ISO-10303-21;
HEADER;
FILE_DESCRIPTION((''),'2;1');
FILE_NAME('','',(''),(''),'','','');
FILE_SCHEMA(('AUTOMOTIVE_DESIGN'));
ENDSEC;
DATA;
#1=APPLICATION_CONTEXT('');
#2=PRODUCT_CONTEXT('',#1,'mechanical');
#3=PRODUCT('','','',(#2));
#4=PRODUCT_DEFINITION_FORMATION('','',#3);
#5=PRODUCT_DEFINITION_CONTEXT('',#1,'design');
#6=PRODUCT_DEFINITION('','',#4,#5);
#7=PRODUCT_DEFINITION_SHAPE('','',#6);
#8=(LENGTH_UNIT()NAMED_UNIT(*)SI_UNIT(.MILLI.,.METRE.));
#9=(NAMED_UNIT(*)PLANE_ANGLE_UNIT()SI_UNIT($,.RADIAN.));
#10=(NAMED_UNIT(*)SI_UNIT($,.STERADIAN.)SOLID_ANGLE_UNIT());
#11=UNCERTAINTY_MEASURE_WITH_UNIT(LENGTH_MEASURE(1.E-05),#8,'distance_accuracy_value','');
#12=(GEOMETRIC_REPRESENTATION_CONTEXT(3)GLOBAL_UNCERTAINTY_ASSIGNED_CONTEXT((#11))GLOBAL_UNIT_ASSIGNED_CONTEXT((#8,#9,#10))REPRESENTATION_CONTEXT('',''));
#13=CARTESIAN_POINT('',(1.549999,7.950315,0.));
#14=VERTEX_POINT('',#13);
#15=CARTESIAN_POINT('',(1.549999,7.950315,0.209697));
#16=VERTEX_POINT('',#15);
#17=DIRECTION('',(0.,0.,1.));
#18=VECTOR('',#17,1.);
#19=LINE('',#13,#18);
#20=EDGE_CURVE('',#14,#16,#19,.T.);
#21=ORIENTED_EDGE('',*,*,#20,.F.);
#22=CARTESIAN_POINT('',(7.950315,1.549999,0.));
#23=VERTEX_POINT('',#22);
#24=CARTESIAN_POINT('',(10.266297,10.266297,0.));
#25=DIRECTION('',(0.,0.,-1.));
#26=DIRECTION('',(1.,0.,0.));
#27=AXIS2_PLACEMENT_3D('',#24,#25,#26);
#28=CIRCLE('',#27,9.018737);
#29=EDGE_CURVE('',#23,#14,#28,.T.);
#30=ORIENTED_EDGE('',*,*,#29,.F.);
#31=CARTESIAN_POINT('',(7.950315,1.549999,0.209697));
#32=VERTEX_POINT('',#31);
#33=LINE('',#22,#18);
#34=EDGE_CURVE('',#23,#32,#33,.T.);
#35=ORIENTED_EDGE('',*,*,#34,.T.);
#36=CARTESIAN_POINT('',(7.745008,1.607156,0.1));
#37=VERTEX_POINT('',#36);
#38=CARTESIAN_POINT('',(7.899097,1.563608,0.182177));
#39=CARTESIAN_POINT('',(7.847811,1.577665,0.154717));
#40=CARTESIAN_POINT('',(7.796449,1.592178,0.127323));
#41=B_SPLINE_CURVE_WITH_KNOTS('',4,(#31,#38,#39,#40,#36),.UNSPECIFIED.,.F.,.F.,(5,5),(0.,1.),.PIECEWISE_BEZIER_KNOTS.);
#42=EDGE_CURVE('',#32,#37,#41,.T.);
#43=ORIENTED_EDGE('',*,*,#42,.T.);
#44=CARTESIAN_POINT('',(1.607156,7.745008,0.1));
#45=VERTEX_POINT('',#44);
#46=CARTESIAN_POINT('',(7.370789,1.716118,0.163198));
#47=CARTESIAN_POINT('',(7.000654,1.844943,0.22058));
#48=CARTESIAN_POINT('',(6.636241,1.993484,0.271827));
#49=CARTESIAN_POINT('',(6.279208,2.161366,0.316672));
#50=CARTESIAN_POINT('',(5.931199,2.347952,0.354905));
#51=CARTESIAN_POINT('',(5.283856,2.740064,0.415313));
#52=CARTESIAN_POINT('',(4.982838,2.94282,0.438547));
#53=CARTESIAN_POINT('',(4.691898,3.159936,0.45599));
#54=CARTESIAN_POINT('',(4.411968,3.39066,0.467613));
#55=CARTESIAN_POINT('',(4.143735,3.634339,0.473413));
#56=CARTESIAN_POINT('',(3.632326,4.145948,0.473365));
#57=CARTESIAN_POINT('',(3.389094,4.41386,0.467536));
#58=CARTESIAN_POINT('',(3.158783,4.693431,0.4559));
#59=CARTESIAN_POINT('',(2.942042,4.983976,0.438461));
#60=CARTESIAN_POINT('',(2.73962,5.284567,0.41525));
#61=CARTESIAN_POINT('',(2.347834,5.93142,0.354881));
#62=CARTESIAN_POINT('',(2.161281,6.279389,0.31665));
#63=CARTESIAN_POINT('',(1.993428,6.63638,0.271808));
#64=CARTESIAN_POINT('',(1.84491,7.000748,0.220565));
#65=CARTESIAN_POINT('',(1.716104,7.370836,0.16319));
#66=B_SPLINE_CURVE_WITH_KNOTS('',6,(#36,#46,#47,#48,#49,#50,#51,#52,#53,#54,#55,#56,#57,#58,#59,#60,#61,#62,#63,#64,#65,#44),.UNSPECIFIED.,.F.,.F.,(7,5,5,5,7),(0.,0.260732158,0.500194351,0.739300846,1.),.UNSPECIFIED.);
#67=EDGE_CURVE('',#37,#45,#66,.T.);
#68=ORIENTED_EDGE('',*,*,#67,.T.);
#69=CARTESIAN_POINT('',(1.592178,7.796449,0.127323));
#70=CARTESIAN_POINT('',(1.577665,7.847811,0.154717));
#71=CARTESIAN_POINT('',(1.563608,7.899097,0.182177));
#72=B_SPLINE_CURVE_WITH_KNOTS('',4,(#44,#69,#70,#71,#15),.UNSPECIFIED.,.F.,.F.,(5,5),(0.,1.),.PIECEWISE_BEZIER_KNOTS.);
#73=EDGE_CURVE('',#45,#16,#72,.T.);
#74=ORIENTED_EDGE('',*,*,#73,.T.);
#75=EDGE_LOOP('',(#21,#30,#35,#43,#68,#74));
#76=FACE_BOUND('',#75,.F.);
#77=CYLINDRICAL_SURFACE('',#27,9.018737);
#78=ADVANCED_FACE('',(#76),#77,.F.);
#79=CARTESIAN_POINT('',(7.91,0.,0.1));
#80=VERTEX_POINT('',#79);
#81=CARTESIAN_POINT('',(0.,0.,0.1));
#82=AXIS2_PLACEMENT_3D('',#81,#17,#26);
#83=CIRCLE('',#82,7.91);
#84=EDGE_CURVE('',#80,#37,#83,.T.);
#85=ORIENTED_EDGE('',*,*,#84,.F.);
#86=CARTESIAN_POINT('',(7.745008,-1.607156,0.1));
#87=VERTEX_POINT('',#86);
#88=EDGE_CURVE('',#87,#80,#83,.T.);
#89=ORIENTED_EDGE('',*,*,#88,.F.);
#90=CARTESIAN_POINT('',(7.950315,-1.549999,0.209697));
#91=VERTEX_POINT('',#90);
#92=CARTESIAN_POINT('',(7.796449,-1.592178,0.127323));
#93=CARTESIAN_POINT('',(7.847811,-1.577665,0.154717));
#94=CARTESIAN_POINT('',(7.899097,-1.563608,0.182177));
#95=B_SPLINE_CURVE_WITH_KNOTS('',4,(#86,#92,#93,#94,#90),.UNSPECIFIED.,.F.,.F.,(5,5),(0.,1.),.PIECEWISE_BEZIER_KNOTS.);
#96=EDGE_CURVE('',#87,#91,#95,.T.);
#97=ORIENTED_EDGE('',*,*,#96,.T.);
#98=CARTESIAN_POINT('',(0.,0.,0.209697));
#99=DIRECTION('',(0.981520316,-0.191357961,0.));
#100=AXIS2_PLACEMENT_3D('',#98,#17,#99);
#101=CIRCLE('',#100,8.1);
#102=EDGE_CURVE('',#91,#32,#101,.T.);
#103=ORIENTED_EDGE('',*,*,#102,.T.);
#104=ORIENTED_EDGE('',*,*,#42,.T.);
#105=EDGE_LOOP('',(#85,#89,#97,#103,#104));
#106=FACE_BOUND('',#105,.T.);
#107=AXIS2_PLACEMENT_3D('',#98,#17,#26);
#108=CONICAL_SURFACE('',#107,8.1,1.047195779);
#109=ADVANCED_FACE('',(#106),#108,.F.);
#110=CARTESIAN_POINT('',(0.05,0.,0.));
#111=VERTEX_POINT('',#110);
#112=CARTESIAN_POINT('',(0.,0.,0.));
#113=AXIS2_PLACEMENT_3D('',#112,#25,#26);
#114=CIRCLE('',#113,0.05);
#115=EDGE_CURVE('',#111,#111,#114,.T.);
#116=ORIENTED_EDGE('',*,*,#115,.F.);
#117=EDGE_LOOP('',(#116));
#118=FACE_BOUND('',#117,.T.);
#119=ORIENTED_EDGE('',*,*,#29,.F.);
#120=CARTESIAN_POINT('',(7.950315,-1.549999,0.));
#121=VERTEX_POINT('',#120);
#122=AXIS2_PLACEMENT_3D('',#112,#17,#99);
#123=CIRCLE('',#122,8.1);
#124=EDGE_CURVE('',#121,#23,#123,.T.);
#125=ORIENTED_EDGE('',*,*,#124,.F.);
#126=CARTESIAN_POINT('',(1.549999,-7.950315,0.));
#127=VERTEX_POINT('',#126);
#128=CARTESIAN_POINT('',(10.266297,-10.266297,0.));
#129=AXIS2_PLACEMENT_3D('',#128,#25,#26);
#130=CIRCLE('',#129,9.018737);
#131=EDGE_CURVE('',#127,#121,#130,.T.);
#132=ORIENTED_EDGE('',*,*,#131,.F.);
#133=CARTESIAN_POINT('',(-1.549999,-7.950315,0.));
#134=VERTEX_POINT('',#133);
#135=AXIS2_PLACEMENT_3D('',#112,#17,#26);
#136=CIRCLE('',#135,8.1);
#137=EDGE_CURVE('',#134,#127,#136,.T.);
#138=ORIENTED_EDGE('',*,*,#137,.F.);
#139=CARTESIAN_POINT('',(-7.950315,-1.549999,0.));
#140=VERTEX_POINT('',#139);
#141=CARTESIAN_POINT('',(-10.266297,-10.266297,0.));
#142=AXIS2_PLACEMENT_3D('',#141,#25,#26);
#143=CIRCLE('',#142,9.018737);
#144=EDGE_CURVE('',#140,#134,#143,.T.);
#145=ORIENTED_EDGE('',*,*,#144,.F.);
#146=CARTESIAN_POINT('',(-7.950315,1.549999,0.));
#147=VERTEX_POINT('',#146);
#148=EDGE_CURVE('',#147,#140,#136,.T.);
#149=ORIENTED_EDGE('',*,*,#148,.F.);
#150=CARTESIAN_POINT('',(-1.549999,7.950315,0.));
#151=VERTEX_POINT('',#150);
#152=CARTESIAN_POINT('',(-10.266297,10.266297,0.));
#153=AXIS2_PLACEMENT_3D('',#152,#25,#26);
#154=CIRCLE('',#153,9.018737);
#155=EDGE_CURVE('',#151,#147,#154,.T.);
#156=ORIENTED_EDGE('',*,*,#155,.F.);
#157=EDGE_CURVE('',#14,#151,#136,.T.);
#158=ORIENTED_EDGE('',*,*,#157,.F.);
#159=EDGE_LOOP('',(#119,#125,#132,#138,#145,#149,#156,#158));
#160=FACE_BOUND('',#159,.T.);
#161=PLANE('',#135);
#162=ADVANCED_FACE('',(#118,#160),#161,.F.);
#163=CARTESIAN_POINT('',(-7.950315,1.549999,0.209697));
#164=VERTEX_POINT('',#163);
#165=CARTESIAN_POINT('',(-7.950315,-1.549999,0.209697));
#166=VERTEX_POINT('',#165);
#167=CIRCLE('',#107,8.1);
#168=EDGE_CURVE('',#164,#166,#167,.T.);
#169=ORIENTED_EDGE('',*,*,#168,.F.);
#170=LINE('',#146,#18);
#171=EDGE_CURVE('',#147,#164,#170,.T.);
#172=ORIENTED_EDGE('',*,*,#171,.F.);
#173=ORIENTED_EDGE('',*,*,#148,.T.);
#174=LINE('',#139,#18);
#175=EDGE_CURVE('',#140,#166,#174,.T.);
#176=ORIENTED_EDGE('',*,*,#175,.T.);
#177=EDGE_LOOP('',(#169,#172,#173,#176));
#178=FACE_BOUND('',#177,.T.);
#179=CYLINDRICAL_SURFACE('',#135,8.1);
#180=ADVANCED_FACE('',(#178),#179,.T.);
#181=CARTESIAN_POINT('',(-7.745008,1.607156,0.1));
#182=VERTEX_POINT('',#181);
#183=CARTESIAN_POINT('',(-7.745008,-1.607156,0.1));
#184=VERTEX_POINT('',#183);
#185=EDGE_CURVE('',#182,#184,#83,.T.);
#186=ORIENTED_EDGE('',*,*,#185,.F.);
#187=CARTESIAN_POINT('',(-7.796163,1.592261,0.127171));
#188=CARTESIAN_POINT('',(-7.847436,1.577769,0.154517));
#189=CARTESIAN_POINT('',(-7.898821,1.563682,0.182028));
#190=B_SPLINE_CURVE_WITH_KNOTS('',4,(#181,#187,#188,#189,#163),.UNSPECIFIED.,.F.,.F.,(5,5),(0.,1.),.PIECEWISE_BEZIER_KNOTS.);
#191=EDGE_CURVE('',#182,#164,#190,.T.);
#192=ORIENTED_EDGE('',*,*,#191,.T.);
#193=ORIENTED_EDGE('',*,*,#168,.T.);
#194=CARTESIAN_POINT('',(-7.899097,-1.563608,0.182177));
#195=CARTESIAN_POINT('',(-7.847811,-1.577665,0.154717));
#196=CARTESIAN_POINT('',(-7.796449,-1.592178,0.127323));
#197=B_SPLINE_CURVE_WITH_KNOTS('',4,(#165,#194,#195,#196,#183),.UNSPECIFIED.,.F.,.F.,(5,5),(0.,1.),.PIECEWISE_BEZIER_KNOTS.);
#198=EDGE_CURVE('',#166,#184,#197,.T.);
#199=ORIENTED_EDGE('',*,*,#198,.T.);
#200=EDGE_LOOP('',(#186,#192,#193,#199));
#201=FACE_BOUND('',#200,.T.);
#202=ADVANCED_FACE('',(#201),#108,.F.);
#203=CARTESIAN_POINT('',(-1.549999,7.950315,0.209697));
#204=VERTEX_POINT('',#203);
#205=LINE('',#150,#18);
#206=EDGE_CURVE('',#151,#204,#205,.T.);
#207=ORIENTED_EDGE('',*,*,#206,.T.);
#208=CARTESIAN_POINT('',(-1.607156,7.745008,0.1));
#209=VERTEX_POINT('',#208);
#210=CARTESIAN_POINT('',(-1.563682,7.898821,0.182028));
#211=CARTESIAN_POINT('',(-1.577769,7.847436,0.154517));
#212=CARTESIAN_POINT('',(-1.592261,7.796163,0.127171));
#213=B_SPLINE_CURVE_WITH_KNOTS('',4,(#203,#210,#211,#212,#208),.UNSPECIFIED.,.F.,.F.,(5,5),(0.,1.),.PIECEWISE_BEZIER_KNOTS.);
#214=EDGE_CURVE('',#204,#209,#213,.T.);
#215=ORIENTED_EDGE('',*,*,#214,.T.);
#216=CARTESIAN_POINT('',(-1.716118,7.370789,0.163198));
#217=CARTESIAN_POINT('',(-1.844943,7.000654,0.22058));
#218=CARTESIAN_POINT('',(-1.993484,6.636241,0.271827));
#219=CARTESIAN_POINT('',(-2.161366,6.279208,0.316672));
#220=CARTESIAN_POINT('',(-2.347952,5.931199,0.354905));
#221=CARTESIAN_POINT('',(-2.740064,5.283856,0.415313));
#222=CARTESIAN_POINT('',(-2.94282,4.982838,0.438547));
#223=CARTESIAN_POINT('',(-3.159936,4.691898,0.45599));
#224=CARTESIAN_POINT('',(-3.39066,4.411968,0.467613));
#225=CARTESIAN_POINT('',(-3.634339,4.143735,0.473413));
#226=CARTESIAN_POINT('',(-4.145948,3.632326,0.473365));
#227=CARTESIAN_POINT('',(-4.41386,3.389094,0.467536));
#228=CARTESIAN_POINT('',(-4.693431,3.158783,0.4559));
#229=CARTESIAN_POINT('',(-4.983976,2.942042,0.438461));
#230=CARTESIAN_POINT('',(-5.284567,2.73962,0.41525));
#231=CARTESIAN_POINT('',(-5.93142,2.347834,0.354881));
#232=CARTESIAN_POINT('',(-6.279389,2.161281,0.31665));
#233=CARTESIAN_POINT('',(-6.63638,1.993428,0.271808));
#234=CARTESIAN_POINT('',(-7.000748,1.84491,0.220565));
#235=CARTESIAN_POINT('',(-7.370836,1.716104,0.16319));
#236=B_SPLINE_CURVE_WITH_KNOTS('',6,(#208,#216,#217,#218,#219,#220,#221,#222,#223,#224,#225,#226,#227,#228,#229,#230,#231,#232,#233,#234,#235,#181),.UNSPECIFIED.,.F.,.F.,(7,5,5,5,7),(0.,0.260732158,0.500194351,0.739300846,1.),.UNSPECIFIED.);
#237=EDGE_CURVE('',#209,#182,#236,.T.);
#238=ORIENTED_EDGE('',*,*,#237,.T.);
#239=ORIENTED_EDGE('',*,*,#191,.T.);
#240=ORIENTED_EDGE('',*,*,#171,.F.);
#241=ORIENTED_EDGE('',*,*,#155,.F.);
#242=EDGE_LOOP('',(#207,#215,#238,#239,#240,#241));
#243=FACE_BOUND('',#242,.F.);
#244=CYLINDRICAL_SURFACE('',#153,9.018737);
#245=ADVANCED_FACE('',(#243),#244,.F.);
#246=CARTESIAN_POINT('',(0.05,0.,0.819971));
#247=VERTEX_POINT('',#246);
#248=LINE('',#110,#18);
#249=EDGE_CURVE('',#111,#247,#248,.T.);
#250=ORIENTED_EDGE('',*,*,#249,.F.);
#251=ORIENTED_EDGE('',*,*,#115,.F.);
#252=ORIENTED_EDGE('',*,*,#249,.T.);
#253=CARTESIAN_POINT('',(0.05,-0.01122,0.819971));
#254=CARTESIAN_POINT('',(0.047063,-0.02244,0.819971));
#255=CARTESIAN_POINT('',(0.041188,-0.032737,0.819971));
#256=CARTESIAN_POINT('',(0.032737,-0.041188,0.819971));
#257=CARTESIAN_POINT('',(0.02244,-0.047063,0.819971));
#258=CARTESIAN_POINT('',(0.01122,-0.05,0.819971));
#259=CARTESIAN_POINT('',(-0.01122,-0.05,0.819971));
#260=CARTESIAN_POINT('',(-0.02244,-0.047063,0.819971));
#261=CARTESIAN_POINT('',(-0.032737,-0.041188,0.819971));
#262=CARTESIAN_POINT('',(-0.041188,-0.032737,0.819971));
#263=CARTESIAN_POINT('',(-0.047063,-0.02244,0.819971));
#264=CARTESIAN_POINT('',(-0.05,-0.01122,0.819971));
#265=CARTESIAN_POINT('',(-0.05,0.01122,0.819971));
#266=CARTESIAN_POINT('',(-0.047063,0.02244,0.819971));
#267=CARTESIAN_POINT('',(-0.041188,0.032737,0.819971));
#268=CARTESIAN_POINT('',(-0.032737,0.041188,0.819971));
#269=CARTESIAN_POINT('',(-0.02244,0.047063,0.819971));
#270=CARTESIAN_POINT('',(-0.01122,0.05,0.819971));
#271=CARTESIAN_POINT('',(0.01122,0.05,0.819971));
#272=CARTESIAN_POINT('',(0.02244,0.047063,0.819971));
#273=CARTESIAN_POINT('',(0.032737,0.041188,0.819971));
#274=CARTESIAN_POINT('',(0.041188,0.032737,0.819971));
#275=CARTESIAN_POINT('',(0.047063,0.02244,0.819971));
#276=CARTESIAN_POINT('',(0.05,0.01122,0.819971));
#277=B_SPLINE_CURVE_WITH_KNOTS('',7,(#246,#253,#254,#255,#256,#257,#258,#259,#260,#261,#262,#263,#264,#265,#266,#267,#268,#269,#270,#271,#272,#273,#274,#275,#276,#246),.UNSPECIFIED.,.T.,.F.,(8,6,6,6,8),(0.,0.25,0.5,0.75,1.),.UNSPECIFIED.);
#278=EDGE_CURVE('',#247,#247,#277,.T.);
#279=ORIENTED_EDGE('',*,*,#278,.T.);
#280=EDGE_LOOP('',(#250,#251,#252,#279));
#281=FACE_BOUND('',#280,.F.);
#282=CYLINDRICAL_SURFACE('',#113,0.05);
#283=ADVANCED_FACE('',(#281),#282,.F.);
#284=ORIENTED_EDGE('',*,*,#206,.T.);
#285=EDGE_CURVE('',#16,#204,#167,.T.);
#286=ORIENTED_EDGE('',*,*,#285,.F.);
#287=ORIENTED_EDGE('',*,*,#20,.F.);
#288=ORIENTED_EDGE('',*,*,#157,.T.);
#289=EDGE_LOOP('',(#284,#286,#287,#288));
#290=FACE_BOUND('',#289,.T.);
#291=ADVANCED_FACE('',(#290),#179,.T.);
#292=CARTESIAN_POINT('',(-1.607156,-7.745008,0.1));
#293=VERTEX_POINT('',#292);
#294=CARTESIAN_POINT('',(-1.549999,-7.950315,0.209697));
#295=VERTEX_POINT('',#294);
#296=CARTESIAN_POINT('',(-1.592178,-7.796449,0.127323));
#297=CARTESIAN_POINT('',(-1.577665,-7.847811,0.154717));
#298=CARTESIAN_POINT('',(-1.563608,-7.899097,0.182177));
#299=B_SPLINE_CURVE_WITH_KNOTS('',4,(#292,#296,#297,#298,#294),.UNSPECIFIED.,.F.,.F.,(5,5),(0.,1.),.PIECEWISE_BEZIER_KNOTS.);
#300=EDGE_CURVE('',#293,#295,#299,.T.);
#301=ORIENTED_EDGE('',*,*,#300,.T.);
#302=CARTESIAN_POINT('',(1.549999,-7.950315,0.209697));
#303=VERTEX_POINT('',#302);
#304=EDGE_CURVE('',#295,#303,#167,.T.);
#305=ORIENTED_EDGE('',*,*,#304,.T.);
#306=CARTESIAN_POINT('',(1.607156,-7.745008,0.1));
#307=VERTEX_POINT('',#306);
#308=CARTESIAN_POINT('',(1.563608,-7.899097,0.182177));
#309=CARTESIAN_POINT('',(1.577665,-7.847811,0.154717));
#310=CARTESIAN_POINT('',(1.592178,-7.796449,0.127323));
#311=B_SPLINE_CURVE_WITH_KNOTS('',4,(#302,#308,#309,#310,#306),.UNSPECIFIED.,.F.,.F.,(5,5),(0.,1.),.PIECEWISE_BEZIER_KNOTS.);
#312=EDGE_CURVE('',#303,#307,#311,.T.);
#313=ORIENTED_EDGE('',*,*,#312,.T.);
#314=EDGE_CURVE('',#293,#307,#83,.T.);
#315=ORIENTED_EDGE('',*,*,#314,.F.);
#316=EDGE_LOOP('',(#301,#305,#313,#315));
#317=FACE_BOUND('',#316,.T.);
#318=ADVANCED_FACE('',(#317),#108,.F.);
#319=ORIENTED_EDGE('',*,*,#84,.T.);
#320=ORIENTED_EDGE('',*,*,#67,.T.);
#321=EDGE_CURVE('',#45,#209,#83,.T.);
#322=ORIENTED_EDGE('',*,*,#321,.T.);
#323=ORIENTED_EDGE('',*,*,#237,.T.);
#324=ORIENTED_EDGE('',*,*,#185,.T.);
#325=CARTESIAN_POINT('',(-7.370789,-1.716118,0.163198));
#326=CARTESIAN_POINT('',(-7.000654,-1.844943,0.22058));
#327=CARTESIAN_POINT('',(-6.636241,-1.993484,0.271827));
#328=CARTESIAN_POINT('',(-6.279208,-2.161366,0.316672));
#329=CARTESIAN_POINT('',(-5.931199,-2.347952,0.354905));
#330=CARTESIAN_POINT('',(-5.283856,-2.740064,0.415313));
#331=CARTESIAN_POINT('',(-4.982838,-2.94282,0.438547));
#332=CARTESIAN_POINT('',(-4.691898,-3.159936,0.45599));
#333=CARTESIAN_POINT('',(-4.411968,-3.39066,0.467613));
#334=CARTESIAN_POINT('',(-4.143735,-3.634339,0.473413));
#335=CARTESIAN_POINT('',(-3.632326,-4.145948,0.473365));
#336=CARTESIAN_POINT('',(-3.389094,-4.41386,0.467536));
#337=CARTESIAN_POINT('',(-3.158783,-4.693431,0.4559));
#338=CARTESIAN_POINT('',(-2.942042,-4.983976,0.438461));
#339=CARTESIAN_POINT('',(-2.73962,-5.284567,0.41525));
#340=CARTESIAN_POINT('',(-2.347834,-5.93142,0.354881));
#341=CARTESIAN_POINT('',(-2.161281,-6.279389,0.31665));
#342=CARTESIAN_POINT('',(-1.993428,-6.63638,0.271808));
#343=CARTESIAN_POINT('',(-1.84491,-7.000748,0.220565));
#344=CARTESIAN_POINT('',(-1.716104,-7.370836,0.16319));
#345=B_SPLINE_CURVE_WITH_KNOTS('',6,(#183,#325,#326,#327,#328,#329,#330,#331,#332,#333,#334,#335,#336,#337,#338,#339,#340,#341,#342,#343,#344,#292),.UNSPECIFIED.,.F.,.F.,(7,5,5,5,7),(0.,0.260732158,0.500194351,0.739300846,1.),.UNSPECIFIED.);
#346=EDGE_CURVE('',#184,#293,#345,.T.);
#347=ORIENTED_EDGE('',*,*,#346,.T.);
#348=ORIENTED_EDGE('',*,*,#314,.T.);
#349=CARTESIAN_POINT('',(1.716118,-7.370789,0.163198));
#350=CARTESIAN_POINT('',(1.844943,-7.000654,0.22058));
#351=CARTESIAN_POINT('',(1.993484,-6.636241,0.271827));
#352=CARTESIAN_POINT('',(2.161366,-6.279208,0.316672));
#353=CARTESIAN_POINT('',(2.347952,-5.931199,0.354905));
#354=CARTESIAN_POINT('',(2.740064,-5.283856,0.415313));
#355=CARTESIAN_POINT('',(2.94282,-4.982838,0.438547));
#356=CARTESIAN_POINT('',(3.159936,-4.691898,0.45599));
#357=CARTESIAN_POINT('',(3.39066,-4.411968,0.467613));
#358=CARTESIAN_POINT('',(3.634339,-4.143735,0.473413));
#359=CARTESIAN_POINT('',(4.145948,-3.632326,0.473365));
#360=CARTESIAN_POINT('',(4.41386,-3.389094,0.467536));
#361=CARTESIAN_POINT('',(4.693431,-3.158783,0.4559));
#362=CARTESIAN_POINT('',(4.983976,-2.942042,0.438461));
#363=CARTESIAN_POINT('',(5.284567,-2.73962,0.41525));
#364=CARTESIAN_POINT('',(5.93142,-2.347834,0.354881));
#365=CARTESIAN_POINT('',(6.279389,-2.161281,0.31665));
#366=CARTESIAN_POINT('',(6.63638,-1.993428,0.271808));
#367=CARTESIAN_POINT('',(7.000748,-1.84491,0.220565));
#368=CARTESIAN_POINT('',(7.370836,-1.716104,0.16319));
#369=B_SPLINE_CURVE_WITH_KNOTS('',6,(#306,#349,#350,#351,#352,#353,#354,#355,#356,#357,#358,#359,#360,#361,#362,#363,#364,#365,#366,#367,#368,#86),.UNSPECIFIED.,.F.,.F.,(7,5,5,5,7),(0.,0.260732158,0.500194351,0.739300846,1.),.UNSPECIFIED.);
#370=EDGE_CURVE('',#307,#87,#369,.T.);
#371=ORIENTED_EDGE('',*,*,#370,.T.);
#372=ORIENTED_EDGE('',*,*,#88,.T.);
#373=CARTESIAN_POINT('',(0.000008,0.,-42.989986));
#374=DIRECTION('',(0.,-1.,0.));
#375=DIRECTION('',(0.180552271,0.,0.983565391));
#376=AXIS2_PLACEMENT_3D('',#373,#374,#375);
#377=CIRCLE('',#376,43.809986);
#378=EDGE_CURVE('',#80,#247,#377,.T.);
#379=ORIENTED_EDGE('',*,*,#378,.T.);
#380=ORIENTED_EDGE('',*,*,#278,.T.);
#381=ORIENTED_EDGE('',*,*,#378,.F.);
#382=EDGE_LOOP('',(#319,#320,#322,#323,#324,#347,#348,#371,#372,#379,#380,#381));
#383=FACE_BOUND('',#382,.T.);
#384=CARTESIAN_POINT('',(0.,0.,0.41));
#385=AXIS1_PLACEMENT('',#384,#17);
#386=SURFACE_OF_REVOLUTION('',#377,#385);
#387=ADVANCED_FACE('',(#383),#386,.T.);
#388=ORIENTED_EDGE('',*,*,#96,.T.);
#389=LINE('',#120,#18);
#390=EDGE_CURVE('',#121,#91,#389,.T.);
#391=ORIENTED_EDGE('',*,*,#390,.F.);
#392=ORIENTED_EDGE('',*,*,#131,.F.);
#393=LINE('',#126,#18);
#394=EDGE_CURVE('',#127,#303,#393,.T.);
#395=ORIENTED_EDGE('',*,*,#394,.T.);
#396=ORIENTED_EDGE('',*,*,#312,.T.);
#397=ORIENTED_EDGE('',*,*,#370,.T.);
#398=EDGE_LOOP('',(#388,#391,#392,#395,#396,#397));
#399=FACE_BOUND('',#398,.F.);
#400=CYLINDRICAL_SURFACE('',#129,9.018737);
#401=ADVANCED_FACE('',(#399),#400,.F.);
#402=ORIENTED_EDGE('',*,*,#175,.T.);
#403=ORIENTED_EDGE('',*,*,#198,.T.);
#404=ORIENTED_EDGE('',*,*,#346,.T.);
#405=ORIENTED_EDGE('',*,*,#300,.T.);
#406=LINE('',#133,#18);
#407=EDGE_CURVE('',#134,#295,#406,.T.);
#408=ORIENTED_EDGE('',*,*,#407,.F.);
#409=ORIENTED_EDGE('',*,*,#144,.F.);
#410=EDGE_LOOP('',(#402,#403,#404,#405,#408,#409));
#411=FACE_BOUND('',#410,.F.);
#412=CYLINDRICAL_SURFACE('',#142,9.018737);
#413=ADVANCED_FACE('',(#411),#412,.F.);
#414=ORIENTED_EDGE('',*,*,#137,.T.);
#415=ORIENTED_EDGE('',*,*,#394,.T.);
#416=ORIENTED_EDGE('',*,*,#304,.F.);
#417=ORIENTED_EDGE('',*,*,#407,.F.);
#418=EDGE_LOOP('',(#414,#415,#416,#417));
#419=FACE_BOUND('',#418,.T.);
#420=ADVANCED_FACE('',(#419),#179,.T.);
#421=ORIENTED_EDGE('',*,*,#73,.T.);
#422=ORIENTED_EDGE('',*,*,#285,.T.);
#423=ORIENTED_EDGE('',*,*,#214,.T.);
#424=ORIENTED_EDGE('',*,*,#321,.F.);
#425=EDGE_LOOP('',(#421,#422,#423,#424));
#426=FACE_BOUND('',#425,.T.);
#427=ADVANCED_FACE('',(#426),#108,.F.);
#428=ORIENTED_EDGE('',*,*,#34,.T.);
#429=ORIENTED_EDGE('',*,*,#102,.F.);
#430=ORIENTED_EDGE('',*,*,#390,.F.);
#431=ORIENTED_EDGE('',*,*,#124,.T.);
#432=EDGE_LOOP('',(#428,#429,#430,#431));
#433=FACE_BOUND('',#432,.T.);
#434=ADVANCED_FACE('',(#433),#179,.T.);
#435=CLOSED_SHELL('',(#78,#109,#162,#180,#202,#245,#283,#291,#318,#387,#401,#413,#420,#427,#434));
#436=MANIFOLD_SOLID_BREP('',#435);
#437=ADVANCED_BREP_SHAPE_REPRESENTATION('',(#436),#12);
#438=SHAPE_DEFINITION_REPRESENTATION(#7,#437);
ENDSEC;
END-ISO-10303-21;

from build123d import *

# Parameters (mm, degrees)
F2_R     = 9.018737
F3_DEPTH = 0.821
F4_R     = 0.05
F5_DEPTH = 25


with BuildPart() as f1:
    # F0 (on Front) → F1 (revolve)
    with BuildSketch(Plane.XZ):
        with BuildLine():
            Line((8.1, 0.209697), (7.91, 0.1))
            ThreePointArc((7.91, 0.1), (3.971351, 0.639629), (0, 0.82))
            Line((0, 0.82), (0, 0))
            Line((0, 0), (8.1, 0))
            Line((8.1, 0), (8.1, 0.209697))
        make_face()
    revolve(axis=Axis((0, 0, 0.41), (0, 0, 1)))

    # F2 (on face) → F3 (cut, through all)
    with BuildSketch(Plane(origin=(0, 0, 0), x_dir=(1, 0, 0), z_dir=(0, 0, -1))):
        with Locations((-10.266297, 10.266297)):
            Circle(F2_R)
        with Locations((10.266297, 10.266297)):
            Circle(F2_R)
        with Locations((-10.266297, -10.266297)):
            Circle(F2_R)
        with Locations((10.266297, -10.266297)):
            Circle(F2_R)
    extrude(amount=-F3_DEPTH, mode=Mode.SUBTRACT)

    # F4 (on face) → F5 (cut)
    with BuildSketch(Plane(origin=(0, 0, 0), x_dir=(1, 0, 0), z_dir=(0, 0, -1))):
        Circle(F4_R)
    extrude(amount=-F5_DEPTH, mode=Mode.SUBTRACT)


solid = f1.part
